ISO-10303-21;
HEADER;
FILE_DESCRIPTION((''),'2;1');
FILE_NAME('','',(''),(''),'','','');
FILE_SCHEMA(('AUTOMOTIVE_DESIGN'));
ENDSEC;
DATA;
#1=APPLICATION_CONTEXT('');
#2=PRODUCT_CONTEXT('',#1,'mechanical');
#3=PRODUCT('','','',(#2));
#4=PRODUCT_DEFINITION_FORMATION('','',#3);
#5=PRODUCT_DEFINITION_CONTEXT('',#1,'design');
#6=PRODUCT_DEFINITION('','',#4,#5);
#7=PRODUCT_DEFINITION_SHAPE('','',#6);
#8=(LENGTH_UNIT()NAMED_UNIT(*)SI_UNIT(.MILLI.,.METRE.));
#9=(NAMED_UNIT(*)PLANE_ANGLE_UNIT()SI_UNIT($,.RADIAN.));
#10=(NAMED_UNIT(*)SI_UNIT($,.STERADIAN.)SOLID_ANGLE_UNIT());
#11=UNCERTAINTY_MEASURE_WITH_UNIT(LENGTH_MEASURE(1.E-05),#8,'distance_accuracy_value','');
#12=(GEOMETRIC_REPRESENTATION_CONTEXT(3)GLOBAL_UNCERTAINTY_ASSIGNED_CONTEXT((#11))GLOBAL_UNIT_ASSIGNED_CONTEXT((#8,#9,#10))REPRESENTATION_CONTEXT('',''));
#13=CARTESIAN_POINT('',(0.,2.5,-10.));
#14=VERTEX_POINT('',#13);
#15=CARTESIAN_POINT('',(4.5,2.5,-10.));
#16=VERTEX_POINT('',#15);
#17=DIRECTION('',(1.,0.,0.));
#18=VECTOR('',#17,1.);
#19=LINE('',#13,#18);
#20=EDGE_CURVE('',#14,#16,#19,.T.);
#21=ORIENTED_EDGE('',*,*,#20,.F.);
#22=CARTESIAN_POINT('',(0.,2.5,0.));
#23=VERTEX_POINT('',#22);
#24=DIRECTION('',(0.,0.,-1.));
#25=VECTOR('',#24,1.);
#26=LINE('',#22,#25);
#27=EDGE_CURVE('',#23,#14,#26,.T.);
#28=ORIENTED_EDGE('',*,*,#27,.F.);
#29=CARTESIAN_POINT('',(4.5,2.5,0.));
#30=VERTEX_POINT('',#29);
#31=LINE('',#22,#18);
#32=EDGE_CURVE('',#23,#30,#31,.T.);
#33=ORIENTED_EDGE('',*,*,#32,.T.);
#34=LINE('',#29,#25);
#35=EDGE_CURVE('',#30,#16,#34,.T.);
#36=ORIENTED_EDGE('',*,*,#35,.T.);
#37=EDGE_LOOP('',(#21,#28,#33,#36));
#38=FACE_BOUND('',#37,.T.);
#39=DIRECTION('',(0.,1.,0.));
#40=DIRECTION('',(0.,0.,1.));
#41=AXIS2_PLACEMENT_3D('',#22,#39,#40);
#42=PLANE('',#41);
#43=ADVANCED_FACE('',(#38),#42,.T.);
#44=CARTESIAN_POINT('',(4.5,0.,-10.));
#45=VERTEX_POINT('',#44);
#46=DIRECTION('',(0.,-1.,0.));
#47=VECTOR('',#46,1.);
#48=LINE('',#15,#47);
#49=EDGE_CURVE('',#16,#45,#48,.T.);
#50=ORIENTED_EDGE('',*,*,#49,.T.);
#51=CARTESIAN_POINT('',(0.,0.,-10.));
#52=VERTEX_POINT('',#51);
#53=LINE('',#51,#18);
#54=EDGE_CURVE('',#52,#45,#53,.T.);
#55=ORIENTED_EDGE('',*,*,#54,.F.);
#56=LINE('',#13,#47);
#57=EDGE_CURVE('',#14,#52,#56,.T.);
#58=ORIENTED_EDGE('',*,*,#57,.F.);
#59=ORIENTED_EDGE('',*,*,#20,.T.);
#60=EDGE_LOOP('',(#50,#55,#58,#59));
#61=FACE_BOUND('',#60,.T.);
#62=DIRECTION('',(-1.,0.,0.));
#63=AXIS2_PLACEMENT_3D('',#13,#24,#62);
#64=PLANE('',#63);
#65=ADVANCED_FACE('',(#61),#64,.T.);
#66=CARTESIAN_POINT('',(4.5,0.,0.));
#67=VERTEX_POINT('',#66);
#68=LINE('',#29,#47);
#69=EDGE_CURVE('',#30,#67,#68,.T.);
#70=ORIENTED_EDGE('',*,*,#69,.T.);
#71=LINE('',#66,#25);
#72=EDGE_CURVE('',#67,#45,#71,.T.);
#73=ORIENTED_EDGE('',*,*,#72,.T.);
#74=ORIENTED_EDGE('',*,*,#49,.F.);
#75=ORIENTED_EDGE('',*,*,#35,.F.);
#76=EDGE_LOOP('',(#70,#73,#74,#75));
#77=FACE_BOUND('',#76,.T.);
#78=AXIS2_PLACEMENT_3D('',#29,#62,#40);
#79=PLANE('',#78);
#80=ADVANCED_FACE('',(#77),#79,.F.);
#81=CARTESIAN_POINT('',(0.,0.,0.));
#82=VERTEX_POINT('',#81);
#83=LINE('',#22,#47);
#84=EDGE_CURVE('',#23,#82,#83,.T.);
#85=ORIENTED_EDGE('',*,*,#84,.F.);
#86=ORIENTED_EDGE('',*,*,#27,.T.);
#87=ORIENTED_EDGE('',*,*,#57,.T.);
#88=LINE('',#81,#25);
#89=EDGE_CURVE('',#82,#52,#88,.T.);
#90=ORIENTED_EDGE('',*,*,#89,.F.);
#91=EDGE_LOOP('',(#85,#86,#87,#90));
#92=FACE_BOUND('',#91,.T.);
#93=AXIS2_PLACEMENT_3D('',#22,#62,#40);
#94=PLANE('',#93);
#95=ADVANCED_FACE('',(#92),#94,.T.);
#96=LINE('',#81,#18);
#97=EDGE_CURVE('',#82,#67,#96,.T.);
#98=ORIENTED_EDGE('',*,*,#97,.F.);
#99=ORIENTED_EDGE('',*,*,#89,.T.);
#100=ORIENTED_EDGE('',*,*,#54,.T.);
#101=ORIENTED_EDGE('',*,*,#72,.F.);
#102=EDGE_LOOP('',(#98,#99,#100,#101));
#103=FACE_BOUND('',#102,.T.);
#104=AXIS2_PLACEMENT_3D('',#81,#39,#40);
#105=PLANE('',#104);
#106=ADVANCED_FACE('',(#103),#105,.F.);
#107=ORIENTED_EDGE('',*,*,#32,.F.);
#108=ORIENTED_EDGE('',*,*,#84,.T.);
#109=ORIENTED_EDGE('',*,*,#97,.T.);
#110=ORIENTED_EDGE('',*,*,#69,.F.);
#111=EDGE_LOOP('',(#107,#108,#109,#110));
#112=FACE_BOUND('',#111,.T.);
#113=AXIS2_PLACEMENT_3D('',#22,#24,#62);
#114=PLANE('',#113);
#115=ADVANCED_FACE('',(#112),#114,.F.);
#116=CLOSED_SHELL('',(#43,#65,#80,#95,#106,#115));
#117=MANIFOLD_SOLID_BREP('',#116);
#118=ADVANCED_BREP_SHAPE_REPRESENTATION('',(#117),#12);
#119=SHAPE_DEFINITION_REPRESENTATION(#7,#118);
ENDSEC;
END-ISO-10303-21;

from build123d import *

# Parameters (mm, degrees)
SKETCH1_W           = 4.5
SKETCH1_H           = 10
BOSS_EXTRUDE1_DEPTH = 2.5


with BuildPart() as part:
    # Sketch1 → Boss-Extrude1 (new body)
    with BuildSketch(Plane(origin=(0, 0, 0), x_dir=(1, 0, 0), z_dir=(0, 1, 0))):
        with Locations((2.25, 5)):
            Rectangle(SKETCH1_W, SKETCH1_H)
    extrude(amount=BOSS_EXTRUDE1_DEPTH)


solid = part.part
